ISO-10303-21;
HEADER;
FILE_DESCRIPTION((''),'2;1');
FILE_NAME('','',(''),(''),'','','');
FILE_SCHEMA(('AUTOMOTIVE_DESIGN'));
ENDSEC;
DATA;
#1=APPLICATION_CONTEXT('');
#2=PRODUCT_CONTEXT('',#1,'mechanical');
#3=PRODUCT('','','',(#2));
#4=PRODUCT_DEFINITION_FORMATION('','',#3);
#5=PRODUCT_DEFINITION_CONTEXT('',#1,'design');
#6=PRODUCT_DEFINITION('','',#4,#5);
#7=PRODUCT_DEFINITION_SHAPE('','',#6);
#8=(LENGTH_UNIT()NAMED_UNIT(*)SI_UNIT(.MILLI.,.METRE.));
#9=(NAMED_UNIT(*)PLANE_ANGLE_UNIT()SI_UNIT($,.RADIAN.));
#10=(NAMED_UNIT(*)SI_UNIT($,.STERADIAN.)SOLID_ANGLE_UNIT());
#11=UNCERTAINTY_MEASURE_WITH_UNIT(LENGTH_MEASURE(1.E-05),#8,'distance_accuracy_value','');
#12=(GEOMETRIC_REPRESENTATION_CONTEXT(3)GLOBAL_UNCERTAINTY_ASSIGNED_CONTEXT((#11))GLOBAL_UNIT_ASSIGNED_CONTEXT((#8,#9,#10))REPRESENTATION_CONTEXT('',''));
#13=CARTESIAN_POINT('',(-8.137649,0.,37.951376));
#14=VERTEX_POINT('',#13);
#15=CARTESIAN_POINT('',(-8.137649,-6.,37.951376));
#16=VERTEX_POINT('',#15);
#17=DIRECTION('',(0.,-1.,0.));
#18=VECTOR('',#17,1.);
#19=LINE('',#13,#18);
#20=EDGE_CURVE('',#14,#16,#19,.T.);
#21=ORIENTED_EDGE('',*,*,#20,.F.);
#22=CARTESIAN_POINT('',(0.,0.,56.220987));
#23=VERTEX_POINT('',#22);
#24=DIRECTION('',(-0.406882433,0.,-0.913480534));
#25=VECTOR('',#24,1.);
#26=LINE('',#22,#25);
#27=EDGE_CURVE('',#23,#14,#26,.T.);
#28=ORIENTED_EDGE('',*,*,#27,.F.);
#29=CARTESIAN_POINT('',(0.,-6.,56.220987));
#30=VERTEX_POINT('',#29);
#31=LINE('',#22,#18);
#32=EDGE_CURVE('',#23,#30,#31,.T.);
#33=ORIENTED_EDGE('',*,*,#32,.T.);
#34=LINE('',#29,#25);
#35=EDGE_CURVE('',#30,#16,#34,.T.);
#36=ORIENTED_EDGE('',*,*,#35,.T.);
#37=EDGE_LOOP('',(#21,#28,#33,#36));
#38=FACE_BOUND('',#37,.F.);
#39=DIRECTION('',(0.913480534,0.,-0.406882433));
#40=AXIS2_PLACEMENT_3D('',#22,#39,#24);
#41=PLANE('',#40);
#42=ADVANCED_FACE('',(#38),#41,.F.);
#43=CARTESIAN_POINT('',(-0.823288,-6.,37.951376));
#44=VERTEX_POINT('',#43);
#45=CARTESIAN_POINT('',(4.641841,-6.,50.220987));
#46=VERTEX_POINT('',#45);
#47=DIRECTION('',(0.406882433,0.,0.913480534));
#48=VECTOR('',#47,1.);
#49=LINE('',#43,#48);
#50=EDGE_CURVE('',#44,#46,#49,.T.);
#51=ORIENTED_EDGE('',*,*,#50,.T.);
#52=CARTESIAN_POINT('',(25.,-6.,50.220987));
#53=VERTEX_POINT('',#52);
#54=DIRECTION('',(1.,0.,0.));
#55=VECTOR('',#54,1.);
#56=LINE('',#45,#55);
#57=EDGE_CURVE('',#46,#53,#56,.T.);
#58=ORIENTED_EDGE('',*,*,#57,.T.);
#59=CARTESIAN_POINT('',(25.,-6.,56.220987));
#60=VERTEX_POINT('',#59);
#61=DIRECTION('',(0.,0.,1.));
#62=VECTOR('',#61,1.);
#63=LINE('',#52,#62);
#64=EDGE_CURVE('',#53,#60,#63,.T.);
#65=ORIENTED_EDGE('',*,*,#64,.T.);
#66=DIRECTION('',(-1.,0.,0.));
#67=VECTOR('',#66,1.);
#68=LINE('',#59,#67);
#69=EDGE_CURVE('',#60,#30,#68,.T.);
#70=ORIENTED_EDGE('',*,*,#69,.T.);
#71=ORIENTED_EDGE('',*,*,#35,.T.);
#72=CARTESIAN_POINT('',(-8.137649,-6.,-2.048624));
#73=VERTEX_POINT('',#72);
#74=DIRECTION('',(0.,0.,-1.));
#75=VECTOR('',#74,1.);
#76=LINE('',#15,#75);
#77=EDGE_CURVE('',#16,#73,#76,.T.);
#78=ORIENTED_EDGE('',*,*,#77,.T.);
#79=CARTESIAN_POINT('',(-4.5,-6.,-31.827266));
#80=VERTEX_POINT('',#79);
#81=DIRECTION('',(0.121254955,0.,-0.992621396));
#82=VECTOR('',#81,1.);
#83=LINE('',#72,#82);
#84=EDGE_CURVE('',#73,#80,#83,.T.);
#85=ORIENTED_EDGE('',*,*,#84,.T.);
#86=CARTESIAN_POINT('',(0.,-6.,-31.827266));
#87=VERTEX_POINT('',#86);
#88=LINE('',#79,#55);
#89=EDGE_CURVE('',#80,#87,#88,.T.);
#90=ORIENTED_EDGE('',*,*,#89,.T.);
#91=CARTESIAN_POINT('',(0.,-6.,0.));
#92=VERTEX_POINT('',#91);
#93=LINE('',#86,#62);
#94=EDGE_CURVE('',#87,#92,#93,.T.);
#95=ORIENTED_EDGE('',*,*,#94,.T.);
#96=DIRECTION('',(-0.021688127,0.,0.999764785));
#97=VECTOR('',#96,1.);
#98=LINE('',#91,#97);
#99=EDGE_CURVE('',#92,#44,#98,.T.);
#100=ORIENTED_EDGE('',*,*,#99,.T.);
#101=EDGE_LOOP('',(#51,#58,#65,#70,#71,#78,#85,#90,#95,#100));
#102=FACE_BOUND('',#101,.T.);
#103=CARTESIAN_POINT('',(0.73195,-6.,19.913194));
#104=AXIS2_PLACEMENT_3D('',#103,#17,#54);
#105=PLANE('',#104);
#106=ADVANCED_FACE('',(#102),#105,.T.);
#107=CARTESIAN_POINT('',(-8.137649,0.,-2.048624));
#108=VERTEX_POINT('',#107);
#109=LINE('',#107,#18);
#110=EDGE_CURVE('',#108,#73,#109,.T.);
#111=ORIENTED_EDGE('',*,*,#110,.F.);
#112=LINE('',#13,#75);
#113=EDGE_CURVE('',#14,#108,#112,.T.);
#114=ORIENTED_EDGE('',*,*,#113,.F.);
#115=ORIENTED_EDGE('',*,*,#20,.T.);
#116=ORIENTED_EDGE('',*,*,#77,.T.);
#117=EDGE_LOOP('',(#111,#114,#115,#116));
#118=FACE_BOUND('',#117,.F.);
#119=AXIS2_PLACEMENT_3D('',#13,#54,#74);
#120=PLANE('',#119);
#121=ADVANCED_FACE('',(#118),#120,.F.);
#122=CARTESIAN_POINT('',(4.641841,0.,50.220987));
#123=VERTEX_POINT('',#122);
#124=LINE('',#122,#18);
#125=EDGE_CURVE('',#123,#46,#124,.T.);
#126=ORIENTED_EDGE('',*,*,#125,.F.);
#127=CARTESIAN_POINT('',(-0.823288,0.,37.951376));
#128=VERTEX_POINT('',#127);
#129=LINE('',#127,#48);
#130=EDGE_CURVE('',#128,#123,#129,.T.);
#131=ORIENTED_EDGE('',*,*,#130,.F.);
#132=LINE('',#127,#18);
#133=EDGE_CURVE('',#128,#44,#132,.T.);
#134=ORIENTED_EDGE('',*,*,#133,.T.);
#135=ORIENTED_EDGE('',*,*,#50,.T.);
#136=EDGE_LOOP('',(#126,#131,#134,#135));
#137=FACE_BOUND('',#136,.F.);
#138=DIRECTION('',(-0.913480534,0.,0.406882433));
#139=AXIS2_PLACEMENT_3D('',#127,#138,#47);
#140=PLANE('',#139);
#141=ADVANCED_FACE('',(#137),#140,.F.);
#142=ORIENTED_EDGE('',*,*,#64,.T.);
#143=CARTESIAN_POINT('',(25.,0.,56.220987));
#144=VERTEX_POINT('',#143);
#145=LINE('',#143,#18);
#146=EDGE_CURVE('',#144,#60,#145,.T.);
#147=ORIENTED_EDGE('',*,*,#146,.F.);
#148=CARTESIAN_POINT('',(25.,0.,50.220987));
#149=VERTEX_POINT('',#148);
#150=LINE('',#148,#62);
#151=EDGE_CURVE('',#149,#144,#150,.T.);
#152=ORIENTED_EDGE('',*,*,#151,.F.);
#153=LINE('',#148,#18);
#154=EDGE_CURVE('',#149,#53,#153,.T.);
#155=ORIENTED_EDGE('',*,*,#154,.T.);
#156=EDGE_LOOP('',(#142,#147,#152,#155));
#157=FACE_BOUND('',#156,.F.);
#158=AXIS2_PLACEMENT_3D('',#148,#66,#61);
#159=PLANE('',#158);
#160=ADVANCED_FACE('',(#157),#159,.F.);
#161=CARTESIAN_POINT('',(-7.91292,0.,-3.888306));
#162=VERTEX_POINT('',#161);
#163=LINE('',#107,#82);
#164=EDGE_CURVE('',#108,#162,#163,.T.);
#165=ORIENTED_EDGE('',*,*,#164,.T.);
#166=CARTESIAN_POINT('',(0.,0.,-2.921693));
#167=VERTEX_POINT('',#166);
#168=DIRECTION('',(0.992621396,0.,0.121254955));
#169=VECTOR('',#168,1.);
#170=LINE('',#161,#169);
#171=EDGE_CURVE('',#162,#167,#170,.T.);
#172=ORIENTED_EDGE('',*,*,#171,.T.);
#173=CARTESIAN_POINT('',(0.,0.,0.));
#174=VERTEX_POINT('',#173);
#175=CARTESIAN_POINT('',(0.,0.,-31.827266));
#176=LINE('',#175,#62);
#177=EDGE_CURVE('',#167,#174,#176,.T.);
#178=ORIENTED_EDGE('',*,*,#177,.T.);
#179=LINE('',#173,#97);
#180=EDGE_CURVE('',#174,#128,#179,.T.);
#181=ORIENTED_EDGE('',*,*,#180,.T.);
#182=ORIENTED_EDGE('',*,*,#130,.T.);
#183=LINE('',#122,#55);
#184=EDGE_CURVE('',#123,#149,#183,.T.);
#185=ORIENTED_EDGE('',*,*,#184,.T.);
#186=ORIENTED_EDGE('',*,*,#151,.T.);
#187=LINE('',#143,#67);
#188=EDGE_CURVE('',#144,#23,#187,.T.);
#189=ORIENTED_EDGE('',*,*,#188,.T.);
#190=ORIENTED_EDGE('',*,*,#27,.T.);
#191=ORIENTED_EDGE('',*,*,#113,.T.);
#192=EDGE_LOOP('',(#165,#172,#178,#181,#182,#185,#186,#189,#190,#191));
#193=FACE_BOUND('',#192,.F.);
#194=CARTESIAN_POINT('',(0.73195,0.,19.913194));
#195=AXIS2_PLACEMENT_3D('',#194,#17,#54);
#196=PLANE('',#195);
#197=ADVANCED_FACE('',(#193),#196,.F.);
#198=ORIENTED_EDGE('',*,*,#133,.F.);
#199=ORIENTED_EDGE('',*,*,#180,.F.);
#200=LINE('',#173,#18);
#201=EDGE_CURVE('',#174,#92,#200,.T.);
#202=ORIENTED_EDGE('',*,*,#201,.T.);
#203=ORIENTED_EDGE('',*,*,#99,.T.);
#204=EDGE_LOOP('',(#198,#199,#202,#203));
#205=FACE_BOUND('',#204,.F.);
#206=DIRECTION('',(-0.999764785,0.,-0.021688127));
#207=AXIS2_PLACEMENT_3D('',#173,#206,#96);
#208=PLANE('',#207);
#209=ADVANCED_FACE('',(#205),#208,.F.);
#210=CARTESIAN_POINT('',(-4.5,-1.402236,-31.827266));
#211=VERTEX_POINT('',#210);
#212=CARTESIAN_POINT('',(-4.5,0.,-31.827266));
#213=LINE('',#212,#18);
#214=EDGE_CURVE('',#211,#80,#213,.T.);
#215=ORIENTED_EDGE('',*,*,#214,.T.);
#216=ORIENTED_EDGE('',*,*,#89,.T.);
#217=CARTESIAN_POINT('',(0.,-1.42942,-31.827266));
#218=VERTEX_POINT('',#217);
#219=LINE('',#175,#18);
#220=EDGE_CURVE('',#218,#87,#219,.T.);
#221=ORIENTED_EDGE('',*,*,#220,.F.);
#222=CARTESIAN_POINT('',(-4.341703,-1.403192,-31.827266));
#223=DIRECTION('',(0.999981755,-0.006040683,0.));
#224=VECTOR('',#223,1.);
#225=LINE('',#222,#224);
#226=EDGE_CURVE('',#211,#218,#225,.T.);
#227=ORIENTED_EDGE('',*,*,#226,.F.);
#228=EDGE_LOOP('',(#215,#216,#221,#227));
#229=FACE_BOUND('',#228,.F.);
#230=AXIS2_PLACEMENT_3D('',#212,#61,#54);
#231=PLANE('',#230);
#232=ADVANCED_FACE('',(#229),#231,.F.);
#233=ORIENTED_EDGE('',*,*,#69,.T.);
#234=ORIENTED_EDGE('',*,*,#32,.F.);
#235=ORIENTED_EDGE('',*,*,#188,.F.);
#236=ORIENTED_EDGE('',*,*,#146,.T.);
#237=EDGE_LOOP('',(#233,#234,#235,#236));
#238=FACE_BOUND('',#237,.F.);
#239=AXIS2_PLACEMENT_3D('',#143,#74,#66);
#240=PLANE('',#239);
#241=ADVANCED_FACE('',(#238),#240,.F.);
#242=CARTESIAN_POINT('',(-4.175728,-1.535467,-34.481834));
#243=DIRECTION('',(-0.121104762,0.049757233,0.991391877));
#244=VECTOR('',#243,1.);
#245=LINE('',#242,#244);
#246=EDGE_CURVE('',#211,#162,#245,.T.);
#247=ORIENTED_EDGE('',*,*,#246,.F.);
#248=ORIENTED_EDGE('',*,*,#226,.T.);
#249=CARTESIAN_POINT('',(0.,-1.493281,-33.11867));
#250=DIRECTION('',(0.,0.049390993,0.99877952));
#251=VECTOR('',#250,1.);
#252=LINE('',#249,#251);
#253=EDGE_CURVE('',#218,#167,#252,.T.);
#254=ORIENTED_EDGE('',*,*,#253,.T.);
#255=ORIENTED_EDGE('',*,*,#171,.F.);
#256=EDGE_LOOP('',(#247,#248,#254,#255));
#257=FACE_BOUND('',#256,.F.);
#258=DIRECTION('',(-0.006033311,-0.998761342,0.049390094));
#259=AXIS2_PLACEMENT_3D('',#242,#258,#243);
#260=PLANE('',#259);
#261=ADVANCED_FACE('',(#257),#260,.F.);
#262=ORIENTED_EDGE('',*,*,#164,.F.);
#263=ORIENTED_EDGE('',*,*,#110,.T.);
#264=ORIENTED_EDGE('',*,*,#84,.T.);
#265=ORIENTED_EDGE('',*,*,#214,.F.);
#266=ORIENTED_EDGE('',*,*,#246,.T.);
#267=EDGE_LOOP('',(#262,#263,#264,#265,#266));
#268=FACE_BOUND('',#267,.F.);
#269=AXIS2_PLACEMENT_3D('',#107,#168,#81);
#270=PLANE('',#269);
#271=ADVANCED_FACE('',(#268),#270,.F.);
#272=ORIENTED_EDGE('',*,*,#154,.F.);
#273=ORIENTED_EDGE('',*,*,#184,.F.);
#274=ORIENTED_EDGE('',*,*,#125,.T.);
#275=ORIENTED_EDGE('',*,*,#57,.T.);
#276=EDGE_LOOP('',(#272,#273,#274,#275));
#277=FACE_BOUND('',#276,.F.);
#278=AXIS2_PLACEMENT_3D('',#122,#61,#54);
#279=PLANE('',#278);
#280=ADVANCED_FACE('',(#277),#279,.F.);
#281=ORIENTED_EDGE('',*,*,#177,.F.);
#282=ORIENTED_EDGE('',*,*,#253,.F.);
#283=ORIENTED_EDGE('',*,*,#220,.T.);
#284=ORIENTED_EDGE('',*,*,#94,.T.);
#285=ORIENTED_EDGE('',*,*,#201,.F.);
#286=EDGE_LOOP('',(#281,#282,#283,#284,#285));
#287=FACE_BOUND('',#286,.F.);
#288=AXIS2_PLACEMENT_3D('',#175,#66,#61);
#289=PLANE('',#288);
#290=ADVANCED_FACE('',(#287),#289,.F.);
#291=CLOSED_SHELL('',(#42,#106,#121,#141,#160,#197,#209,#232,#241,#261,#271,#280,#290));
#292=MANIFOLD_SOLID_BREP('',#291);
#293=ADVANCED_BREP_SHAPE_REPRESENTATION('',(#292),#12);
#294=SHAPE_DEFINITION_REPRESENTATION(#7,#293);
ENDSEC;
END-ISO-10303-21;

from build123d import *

# Parameters (mm, degrees)
F1_DEPTH = 6
F3_DEPTH = 25


with BuildPart() as f1:
    # F0 (on Front) → F1 (new body)
    with BuildSketch(Plane.XZ):
        Polygon((-4.5, -31.8272658396), (0, -31.8272658396), (0, 0), (-0.8232879316, 37.9513760403), (4.6418411657, 50.2209867162), (25, 50.2209867162), (25, 56.2209867162), (0, 56.2209867162), (-8.1376486622, 37.9513760403), (-8.1376486622, -2.0486239597), align=None)
    extrude(amount=F1_DEPTH)

    # F2 (on face) → F3 (cut)
    with BuildSketch(Plane(origin=(-8.2645756515, 0, -1.0095699691), x_dir=(0, -1, 0), z_dir=(-0.992621396, 0, -0.1212549554))):
        Polygon((1.5354667557, -33.7210781872), (0, -2.9001352377), (-1.3538057703, -33.8650186864), align=None)
    extrude(amount=-F3_DEPTH, mode=Mode.SUBTRACT)


solid = f1.part
